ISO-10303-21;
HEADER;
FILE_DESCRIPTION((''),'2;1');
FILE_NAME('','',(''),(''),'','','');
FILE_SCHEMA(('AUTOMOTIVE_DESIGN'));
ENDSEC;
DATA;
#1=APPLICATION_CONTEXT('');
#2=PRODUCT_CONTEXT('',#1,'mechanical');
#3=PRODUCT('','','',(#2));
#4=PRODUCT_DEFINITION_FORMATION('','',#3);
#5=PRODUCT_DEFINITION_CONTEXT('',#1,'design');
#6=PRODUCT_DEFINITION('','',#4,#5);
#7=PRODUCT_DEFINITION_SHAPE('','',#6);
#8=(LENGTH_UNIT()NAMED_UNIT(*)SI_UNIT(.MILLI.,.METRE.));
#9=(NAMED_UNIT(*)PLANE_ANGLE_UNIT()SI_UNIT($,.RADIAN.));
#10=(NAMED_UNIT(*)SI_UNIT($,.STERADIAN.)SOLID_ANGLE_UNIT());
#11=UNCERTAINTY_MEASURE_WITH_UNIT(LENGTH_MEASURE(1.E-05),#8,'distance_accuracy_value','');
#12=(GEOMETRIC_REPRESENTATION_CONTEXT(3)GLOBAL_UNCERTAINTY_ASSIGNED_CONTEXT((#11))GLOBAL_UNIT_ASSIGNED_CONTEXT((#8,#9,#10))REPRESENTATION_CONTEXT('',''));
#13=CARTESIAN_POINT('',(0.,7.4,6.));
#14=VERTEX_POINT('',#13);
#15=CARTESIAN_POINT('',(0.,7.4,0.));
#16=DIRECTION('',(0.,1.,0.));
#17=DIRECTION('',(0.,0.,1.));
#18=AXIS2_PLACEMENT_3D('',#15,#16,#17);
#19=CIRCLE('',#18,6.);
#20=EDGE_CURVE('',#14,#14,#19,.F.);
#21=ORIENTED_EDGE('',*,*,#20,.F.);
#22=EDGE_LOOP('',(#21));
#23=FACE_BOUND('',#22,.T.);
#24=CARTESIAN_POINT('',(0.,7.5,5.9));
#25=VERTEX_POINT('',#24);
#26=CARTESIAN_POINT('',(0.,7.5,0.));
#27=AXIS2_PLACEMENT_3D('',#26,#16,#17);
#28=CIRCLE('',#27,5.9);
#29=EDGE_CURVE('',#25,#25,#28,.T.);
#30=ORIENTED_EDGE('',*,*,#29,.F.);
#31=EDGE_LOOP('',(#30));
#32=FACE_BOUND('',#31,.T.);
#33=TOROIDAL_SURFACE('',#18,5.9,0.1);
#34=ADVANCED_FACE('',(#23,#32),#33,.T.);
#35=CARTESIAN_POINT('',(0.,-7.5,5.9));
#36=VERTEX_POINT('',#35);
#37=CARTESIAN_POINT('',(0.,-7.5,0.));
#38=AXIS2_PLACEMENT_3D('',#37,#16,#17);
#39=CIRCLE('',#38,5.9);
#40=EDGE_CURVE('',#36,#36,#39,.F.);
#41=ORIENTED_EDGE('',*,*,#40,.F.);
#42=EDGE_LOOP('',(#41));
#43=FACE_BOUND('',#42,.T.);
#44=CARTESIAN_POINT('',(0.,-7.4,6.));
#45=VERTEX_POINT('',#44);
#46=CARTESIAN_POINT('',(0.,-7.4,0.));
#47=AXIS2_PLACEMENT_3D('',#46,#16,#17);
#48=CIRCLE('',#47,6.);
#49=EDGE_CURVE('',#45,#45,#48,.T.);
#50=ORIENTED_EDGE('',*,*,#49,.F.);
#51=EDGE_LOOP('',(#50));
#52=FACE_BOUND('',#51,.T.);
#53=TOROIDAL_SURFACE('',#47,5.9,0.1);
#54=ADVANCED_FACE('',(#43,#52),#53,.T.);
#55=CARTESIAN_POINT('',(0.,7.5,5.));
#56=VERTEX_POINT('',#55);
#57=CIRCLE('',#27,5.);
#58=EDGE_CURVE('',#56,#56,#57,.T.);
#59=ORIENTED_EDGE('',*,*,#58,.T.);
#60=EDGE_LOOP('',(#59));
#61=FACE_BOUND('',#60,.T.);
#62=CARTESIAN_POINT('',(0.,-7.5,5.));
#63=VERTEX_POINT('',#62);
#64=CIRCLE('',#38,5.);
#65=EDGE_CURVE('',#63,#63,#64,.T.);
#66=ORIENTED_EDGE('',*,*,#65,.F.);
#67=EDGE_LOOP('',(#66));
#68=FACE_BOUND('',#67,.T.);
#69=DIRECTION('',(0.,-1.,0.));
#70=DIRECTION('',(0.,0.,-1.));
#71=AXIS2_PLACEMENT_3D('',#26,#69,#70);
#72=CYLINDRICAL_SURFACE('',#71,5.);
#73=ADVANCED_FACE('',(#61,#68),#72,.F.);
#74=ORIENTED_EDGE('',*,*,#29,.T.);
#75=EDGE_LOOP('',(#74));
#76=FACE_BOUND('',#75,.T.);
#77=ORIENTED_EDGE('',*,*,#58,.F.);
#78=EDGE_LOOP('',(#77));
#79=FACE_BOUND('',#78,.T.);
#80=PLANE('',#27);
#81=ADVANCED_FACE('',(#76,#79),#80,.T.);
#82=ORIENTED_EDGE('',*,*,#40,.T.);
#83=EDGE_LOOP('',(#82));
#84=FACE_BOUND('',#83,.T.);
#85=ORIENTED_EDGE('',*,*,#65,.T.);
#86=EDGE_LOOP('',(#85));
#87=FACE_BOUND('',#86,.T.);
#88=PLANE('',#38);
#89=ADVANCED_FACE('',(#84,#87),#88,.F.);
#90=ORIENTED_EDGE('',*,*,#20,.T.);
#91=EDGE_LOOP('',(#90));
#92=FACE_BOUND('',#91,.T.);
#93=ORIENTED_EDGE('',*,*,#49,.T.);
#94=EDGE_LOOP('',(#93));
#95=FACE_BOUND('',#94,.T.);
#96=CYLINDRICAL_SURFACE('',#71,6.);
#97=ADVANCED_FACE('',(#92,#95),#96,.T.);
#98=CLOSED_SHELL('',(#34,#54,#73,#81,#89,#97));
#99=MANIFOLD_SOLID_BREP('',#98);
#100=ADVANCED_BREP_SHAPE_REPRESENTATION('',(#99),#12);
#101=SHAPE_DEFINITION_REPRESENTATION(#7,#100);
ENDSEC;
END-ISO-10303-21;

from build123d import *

# Parameters (mm, degrees)
SKIZZE1_R                       = 6
SKIZZE1_R_2                     = 5
AUFSATZ_LINEAR_AUSTRAGEN1_DEPTH = 7.5
VERRUNDUNG1_R                   = 0.1


with BuildPart() as part:
    # Skizze1 → Aufsatz-Linear austragen1 (new, symmetric)
    with BuildSketch(Plane(origin=(0, 0, 0), x_dir=(1, 0, 0), z_dir=(0, 1, 0))):
        with Locations(Location((0, 0, 0), (0, 0, 270))):
            Circle(SKIZZE1_R)
        with Locations(Location((0, 0, 0), (0, 0, 270))):
            Circle(SKIZZE1_R_2, mode=Mode.SUBTRACT)
    extrude(amount=AUFSATZ_LINEAR_AUSTRAGEN1_DEPTH, both=True)

    # Verrundung1
    verrundung1_edges = [part.edges().sort_by_distance(p)[0] for p in [
        (0, -7.5, -6),
        (0, 7.5, -6),
    ]]
    fillet(verrundung1_edges, radius=VERRUNDUNG1_R)


solid = part.part
